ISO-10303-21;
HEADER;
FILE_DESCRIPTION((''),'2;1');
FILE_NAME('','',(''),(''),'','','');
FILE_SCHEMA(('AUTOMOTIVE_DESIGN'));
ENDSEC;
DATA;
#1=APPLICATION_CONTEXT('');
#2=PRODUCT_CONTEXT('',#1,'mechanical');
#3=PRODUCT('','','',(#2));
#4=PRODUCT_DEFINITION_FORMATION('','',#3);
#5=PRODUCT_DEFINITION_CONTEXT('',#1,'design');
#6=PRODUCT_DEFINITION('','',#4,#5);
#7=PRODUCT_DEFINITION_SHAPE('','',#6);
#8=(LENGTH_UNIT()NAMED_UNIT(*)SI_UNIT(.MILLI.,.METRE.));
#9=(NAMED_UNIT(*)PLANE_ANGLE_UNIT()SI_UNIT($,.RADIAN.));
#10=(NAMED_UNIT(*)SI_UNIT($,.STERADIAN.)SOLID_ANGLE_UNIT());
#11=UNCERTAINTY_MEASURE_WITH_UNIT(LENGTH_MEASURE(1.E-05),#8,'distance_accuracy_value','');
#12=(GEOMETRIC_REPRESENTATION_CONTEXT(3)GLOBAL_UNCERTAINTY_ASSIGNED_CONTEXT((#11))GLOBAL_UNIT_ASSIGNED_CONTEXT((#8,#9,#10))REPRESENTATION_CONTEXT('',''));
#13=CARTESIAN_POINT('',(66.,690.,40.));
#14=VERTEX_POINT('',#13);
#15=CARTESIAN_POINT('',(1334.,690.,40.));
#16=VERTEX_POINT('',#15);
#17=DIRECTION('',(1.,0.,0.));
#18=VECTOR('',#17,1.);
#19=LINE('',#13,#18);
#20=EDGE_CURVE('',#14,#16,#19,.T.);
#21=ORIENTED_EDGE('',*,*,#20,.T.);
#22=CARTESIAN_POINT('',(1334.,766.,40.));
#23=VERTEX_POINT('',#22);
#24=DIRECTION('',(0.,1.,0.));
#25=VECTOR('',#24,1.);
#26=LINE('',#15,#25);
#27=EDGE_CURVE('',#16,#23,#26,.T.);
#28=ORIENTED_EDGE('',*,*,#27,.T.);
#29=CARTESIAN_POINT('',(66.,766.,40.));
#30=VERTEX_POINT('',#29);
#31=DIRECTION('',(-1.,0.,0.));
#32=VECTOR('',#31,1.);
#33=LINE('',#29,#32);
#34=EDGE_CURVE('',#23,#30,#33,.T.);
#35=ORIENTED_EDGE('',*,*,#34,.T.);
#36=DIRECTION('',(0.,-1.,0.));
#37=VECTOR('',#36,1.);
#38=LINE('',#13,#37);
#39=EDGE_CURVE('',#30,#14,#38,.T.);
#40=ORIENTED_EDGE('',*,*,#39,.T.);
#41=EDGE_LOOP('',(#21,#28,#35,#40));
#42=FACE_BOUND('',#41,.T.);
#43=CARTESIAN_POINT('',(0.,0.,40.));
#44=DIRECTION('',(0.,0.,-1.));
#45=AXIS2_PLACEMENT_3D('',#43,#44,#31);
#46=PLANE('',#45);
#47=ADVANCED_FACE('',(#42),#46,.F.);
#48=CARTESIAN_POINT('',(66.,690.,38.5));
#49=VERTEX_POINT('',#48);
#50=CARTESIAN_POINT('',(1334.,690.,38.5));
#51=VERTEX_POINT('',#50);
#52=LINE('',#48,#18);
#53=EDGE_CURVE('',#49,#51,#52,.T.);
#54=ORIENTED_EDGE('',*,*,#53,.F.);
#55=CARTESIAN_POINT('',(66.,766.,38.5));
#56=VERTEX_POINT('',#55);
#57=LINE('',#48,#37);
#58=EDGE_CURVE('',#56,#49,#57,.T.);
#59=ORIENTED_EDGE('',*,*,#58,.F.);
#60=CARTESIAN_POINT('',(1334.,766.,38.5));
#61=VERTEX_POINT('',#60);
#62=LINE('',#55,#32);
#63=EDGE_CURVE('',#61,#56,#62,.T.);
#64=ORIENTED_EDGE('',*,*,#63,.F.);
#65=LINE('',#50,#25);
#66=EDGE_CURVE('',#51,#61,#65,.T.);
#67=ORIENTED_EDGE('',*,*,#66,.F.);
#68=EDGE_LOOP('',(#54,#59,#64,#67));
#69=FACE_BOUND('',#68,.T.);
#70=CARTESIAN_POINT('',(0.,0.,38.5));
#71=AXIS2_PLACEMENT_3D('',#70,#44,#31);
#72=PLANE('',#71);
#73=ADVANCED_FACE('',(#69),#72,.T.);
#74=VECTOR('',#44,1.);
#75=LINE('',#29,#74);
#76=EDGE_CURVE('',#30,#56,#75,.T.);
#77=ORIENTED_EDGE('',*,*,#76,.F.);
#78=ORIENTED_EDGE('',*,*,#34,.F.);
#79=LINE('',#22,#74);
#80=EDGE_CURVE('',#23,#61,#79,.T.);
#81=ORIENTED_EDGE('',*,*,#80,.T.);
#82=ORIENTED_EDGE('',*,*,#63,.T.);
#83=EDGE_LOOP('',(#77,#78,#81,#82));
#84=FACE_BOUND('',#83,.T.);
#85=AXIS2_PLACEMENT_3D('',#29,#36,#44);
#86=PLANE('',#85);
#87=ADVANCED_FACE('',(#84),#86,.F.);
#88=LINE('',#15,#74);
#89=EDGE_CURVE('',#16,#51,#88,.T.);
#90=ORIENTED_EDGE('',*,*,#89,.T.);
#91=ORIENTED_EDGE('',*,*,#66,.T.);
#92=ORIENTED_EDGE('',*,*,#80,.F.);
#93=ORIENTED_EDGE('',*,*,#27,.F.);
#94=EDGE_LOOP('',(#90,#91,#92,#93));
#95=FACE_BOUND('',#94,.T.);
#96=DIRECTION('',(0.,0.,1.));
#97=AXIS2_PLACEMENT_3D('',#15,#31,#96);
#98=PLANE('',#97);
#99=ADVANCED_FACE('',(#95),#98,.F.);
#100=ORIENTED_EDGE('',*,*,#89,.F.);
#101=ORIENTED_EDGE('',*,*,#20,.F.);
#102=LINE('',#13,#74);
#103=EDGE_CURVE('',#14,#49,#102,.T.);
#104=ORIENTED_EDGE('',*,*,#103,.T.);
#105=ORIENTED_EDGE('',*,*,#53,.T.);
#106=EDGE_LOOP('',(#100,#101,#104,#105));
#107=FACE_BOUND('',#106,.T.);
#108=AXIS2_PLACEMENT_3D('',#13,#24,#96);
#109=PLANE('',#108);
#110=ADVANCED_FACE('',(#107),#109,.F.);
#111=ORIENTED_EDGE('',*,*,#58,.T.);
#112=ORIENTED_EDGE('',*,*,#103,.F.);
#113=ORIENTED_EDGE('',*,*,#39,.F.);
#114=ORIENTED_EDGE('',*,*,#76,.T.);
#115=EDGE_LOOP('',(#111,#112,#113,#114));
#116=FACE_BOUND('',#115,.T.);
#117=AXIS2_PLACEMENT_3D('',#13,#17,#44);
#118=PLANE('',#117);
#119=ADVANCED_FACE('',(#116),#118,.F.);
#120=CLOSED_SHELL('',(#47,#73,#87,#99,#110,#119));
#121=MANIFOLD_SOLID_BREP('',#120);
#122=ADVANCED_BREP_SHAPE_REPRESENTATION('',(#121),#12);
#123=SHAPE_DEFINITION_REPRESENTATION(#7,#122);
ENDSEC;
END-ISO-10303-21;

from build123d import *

# Parameters (mm, degrees)
STORE_PANEL_AYIRICI_ON_1_START = 38.5
SKETCH1_W                      = 1268
SKETCH1_H                      = 76
STORE_PANEL_AYIRICI_ON_1_DEPTH = 1.5


with BuildPart() as part:
    # Sketch1 → STORE_panel_ayirici_on_1 (new body)
    with BuildSketch(Plane.XY.offset(STORE_PANEL_AYIRICI_ON_1_START)):
        with Locations((700, 728)):
            Rectangle(SKETCH1_W, SKETCH1_H)
    extrude(amount=STORE_PANEL_AYIRICI_ON_1_DEPTH)


solid = part.part
